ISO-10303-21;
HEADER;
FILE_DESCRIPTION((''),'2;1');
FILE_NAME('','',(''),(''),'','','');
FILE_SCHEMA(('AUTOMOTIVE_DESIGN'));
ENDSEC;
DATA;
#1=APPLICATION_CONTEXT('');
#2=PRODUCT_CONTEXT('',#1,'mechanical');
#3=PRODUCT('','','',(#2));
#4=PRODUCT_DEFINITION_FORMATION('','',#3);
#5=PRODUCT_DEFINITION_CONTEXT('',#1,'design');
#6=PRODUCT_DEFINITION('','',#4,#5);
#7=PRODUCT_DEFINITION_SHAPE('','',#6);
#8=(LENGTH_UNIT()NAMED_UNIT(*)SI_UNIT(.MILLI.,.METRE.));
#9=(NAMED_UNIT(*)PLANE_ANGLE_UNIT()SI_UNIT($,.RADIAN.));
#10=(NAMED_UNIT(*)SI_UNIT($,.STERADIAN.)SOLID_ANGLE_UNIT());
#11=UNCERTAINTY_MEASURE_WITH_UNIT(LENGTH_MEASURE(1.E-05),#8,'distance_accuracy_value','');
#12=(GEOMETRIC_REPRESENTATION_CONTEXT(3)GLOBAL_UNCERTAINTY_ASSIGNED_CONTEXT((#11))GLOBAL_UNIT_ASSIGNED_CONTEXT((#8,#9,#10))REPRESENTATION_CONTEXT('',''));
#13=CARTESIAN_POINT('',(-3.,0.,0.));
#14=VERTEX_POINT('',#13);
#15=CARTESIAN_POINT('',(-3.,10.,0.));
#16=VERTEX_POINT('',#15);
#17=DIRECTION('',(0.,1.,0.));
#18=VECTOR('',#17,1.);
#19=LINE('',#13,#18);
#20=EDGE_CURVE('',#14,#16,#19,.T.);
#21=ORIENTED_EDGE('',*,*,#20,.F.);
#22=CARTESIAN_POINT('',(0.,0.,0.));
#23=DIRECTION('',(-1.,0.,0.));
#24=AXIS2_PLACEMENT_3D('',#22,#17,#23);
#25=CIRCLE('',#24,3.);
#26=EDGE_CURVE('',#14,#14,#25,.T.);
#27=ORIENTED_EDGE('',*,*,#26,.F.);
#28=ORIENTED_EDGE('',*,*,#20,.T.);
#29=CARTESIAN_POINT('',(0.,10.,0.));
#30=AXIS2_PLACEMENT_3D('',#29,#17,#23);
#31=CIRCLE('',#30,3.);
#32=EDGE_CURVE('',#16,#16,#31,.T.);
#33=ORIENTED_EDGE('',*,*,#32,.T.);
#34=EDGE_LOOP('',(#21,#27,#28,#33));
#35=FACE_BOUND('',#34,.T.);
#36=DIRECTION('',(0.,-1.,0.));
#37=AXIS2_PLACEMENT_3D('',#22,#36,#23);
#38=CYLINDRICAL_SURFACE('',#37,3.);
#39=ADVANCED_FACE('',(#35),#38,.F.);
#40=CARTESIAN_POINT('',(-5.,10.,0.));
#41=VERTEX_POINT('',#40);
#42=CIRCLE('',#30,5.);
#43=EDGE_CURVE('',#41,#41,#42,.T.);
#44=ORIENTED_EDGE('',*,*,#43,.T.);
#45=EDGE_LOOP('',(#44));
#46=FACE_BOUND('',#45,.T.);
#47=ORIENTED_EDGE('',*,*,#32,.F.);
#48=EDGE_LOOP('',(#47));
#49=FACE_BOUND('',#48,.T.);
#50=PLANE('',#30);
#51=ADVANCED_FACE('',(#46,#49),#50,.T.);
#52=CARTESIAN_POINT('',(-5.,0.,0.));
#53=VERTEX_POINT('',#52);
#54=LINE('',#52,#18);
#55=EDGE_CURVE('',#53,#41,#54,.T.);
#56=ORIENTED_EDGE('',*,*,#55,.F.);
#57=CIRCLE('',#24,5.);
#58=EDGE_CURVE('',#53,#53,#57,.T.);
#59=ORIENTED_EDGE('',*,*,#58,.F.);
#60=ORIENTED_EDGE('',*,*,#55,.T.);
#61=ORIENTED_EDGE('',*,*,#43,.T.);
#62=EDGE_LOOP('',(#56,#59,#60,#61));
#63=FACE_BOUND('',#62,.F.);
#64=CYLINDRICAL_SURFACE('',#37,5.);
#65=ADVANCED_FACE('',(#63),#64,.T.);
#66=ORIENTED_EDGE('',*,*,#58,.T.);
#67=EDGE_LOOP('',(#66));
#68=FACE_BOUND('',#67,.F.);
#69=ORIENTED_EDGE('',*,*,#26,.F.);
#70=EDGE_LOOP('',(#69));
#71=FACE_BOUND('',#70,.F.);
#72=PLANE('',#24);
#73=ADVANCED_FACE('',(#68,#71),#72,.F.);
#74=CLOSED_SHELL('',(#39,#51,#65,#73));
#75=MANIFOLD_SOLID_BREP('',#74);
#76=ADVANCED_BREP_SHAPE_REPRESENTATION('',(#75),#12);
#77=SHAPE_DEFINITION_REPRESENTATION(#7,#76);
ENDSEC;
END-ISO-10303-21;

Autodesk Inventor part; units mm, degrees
ref_plane "YZ Plane" through (0, 0, 0) normal (1, 0, 0) x (0, 1, 0)
ref_plane "XZ Plane" through (0, 0, 0) normal (0, 1, 0) x (-1, 0, 0)
ref_plane "XY Plane" through (0, 0, 0) normal (0, 0, 1) x (1, 0, 0)
sketch "Sketch1" plane through (0, 0, 0) normal (0, 1, 0) x (-1, 0, 0)
  circle A0 centre (0, 0) radius 3
  circle A1 centre (0, 0) radius 5
  dimension "d0" = 6
  dimension "d1" = 10
extrude "Extrusion1" add sketch "Sketch1" along normal blind 10
thread "Thread1" size "M6x1" class "6H" standard "ANSI Metric M Profile" full length
properties part number "RoscaPataPolimero"
